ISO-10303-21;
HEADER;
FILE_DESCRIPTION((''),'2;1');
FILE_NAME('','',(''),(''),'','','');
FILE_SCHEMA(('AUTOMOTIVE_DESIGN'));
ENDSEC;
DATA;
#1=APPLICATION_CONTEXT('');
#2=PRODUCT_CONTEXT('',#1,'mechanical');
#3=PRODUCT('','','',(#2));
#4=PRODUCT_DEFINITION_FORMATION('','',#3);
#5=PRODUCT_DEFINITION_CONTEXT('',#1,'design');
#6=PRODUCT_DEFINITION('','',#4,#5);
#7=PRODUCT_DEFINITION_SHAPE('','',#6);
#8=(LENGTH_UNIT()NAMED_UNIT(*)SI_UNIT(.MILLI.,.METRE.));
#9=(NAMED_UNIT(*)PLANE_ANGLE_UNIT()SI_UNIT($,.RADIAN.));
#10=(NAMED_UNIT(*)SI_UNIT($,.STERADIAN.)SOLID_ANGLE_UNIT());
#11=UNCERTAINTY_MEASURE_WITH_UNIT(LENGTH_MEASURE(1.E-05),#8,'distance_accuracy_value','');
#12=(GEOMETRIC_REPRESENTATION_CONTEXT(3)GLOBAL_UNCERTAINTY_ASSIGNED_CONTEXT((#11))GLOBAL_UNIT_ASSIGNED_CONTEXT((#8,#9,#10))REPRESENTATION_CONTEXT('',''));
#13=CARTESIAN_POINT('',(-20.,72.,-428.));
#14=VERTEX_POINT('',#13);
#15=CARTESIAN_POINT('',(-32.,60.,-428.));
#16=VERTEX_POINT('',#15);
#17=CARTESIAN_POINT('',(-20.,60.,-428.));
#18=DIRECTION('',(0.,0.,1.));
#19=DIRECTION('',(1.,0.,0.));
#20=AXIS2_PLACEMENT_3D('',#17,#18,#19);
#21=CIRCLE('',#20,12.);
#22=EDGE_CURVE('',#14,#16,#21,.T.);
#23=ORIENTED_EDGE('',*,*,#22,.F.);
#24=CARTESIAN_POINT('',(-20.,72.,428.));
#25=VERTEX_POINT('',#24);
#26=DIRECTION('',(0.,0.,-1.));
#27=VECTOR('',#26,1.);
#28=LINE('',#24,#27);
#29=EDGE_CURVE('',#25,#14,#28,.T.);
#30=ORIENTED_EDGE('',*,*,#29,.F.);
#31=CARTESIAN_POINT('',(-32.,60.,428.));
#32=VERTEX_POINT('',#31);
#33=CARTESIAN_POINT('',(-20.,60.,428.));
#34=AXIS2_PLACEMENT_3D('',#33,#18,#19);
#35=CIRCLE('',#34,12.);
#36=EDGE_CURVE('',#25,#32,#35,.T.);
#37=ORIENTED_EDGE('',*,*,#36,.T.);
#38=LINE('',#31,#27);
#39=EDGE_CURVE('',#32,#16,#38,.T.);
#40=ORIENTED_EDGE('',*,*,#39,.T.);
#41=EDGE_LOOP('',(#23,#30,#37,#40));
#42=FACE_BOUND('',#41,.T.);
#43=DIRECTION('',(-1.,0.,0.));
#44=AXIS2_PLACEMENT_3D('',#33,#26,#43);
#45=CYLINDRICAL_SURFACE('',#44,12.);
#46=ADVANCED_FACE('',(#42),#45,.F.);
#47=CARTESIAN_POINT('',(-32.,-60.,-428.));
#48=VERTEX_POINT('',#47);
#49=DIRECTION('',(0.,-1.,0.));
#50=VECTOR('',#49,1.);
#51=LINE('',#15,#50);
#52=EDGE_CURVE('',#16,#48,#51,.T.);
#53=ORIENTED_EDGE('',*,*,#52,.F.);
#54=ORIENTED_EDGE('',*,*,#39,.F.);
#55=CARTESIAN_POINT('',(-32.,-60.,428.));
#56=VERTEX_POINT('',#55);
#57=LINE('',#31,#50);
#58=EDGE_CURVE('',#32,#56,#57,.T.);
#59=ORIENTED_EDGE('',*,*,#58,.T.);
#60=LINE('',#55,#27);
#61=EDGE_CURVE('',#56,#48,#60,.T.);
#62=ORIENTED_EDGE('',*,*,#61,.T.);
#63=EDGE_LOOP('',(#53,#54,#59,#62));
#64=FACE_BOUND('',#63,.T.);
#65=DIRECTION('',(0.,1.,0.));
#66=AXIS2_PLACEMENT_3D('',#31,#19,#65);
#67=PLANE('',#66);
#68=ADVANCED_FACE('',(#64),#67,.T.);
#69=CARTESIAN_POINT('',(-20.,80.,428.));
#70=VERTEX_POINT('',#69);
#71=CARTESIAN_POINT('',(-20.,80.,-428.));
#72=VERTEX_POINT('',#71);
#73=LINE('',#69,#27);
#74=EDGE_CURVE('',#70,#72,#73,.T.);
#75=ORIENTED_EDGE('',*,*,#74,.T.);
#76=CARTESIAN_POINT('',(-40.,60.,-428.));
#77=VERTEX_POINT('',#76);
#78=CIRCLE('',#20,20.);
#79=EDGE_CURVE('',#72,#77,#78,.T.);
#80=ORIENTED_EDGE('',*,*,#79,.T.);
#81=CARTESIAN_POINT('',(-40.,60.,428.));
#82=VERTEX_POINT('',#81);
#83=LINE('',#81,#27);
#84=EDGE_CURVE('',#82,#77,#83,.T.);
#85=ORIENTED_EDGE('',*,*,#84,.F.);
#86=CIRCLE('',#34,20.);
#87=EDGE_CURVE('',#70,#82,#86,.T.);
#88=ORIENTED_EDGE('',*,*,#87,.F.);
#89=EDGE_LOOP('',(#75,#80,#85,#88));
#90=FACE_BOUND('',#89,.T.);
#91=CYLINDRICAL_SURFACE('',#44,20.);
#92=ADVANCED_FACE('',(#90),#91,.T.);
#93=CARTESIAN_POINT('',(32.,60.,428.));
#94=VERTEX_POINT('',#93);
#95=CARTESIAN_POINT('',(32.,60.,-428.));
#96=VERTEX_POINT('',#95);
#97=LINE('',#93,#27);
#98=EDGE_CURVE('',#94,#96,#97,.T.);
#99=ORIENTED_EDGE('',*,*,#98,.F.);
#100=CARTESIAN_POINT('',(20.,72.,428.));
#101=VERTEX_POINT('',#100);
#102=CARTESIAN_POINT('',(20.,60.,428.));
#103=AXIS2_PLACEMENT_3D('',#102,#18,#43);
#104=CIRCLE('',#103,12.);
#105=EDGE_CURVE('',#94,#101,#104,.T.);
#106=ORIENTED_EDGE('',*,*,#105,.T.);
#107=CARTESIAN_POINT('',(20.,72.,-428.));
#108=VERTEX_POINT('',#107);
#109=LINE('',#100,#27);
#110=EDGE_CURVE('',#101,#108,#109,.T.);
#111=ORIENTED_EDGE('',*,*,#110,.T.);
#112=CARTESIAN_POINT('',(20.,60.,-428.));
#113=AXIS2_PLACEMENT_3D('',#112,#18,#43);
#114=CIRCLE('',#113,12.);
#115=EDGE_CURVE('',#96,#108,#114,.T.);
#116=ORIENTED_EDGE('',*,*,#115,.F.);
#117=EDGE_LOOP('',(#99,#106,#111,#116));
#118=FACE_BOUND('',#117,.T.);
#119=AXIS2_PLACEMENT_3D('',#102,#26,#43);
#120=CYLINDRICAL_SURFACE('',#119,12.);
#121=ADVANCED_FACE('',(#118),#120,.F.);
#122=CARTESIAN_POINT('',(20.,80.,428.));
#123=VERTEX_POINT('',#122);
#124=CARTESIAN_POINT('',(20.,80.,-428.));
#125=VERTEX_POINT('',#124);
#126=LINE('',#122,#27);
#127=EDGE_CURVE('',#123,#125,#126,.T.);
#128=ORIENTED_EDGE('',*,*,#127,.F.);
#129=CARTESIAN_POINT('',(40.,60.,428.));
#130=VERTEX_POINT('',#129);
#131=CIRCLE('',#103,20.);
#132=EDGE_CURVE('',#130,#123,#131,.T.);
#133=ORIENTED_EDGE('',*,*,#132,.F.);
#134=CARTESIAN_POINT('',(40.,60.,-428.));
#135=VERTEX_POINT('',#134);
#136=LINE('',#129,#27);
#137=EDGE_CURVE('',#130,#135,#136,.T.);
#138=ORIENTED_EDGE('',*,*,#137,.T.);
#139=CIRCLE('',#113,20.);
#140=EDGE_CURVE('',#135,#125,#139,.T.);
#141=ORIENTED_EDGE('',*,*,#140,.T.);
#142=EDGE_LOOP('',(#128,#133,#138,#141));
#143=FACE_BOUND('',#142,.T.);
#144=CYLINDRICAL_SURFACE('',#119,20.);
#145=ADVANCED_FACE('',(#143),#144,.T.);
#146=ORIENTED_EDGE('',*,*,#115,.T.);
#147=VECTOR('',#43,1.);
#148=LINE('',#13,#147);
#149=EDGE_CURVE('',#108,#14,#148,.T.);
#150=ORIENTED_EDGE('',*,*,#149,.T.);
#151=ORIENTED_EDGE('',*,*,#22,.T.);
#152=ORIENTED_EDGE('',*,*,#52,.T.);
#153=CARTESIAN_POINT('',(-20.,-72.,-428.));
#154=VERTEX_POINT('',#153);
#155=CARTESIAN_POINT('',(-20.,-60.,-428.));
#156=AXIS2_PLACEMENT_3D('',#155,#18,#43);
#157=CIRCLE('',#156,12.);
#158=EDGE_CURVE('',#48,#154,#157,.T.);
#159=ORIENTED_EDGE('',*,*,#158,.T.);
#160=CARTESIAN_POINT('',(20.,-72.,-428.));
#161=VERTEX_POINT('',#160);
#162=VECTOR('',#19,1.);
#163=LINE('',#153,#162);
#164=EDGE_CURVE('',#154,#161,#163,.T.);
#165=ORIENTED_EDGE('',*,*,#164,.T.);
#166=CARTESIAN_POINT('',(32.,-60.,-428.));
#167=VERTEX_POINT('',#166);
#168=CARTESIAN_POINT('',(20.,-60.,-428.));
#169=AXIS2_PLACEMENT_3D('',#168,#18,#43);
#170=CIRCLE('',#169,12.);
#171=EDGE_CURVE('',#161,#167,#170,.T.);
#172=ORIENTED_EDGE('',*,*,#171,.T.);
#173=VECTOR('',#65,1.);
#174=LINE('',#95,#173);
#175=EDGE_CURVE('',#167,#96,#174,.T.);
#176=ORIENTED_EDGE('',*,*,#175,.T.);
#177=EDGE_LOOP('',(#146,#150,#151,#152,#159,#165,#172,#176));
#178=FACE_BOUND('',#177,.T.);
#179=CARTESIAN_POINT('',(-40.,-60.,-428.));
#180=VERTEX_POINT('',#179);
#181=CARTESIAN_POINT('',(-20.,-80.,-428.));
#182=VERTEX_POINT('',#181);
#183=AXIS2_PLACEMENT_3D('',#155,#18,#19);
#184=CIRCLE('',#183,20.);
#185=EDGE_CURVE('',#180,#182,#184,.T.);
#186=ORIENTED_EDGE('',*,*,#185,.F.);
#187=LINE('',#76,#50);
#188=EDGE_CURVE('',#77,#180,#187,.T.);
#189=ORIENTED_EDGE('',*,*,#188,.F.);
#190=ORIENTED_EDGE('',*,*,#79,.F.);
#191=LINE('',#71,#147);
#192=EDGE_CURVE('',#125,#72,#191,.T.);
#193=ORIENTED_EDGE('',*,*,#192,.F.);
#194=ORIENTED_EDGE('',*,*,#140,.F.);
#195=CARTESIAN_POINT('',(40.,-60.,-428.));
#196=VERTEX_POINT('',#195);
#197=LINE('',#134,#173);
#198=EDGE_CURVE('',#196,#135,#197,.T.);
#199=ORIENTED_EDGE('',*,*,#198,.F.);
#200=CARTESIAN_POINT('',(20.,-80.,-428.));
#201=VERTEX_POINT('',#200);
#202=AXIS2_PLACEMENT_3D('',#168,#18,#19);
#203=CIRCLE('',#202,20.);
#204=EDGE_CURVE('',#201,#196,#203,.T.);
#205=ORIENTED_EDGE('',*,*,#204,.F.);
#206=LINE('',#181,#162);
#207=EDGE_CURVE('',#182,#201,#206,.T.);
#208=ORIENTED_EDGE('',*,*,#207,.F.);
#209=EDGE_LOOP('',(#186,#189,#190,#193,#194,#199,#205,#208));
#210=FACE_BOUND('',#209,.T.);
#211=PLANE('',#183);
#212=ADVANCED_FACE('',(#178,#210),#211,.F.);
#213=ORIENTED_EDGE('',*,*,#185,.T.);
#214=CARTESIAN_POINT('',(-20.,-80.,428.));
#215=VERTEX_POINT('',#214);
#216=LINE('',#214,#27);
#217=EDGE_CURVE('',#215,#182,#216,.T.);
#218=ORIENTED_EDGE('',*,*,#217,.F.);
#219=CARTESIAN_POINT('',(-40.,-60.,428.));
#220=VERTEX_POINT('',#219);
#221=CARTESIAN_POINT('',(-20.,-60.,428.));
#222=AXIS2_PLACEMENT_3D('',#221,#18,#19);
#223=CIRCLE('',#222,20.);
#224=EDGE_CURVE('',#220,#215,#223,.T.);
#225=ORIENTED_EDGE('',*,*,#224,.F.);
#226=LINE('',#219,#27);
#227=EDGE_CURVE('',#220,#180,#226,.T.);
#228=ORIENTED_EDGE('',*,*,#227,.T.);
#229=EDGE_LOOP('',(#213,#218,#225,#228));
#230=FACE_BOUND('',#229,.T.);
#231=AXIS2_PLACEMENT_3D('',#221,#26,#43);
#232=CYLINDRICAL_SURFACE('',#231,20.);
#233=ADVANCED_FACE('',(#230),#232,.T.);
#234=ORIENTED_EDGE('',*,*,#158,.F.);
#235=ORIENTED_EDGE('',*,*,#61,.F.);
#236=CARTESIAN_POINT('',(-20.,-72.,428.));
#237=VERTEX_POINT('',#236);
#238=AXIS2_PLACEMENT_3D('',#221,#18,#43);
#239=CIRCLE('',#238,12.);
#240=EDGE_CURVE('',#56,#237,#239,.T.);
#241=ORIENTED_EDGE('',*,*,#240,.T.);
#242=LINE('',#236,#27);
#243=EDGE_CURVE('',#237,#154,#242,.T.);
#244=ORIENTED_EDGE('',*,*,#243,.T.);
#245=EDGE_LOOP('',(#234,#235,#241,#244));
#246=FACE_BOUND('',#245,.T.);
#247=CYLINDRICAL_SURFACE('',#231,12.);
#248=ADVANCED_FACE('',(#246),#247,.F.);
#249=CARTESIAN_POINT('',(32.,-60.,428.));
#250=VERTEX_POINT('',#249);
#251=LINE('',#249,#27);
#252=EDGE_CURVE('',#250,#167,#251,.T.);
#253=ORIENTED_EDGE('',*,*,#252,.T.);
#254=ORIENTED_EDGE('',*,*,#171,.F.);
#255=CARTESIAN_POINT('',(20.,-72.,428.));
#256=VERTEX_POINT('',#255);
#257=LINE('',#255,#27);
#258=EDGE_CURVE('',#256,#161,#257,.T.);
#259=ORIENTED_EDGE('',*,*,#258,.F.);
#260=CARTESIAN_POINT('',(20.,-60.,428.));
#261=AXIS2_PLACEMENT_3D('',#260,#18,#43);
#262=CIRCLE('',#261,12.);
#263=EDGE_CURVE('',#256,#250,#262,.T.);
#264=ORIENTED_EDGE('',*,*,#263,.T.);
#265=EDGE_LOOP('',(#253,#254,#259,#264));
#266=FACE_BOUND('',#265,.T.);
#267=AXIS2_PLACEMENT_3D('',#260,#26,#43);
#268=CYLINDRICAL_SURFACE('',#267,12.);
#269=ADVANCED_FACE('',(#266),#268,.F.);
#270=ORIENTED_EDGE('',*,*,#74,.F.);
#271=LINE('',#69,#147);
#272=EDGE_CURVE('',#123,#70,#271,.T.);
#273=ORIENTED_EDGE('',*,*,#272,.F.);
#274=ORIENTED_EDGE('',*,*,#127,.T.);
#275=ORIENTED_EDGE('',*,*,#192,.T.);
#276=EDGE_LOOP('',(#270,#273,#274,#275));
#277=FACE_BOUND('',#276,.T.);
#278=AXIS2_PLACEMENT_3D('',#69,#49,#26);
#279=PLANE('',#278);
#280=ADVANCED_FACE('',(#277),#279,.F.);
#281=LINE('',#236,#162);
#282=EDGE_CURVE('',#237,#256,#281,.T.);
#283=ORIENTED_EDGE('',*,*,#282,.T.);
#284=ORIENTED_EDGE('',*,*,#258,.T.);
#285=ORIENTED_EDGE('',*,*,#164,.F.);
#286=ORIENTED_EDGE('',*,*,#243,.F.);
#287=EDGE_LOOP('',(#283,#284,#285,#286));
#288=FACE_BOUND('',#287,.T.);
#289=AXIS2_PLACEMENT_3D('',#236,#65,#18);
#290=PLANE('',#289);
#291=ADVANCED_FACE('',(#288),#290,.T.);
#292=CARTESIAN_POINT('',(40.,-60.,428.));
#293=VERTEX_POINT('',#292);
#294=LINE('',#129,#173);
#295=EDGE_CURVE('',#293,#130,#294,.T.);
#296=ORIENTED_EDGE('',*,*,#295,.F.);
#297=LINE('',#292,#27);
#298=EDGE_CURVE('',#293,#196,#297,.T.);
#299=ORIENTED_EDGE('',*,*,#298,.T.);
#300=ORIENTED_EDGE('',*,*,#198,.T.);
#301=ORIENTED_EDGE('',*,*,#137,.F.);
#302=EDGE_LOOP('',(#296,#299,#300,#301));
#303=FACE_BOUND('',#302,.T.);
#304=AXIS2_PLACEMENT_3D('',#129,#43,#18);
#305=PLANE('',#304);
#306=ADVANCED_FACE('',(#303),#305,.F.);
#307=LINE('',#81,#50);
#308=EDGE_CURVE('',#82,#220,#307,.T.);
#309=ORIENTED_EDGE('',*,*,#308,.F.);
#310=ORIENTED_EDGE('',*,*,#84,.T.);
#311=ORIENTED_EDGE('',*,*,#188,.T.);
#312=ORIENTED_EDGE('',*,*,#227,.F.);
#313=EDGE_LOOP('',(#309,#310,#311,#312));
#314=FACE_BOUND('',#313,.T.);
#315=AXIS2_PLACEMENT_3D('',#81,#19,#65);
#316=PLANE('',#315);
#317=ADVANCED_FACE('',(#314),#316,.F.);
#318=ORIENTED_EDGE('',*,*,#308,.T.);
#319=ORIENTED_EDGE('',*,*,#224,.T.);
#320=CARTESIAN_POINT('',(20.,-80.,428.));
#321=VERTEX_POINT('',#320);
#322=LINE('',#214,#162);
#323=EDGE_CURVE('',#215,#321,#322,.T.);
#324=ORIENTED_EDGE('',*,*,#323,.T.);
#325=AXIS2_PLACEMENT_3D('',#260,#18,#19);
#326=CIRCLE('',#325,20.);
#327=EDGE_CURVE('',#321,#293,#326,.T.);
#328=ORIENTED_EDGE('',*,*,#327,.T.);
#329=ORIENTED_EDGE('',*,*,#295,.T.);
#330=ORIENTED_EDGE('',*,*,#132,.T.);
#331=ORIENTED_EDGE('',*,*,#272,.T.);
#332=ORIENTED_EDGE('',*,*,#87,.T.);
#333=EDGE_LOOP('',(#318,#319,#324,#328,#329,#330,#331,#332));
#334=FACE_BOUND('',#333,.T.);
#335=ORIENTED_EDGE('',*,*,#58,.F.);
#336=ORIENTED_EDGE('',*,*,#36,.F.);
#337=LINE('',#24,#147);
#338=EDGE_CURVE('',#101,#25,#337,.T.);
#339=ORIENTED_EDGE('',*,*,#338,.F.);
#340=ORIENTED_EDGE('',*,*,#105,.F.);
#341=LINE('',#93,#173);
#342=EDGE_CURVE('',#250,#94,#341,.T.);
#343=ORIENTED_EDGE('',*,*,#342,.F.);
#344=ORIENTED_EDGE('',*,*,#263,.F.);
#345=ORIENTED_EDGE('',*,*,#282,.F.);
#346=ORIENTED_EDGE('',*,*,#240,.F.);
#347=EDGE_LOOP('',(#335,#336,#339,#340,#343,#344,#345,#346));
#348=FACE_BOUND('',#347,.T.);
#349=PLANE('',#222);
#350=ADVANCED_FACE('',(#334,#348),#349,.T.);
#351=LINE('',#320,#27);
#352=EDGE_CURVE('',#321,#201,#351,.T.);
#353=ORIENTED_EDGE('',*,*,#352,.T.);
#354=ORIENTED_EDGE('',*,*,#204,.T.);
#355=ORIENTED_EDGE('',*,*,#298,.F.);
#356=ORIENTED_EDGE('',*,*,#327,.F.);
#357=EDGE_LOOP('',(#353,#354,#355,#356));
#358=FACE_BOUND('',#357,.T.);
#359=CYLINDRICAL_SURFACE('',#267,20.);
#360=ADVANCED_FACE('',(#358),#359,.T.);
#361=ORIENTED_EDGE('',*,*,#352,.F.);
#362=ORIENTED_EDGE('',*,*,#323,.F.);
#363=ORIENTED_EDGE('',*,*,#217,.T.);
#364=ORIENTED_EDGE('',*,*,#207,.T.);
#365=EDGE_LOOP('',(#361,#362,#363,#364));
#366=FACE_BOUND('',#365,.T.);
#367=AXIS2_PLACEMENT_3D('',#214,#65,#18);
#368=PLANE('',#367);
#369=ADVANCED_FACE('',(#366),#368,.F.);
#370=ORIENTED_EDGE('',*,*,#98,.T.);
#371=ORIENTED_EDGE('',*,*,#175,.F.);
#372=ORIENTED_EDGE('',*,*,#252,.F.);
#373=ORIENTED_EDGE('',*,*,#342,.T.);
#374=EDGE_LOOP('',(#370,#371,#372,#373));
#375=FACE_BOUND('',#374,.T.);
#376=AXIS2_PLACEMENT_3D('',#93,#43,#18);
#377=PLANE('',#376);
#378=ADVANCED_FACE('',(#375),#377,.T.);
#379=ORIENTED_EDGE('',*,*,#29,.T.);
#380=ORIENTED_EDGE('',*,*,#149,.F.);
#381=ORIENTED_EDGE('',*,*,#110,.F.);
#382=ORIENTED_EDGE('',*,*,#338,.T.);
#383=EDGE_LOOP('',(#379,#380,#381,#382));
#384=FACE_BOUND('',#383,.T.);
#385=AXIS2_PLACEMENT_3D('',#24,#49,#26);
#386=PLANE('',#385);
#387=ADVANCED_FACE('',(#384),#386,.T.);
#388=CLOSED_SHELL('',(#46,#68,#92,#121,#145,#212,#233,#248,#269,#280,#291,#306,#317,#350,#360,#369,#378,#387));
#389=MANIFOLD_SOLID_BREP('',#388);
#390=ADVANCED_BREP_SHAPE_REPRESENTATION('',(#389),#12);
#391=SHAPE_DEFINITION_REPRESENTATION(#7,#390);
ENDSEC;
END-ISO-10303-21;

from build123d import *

# Parameters (mm, degrees)
EXTRUDE_1_DEPTH = 428


with BuildPart() as part:
    # Sketch 186 → 凸台-拉伸1 (new, symmetric)
    with BuildSketch(Plane.XY):
        with BuildLine():
            Line((-20, 80), (20, 80))
            ThreePointArc((20, 80), (34.142135624, 74.142135624), (40, 60))
            Line((40, 60), (40, -60))
            ThreePointArc((40, -60), (34.142135624, -74.142135624), (20, -80))
            Line((20, -80), (-20, -80))
            ThreePointArc((-20, -80), (-34.142135624, -74.142135624), (-40, -60))
            Line((-40, -60), (-40, 60))
            ThreePointArc((-40, 60), (-34.142135624, 74.142135624), (-20, 80))
        make_face()
        with BuildLine():
            Line((-20, 72), (20, 72))
            ThreePointArc((20, 72), (28.485281374, 68.485281374), (32, 60))
            Line((32, 60), (32, -60))
            ThreePointArc((32, -60), (28.485281374, -68.485281374), (20, -72))
            Line((20, -72), (-20, -72))
            ThreePointArc((-20, -72), (-28.485281374, -68.485281374), (-32, -60))
            Line((-32, -60), (-32, 60))
            ThreePointArc((-32, 60), (-28.485281374, 68.485281374), (-20, 72))
        make_face(mode=Mode.SUBTRACT)
    extrude(amount=EXTRUDE_1_DEPTH, both=True)


solid = part.part
